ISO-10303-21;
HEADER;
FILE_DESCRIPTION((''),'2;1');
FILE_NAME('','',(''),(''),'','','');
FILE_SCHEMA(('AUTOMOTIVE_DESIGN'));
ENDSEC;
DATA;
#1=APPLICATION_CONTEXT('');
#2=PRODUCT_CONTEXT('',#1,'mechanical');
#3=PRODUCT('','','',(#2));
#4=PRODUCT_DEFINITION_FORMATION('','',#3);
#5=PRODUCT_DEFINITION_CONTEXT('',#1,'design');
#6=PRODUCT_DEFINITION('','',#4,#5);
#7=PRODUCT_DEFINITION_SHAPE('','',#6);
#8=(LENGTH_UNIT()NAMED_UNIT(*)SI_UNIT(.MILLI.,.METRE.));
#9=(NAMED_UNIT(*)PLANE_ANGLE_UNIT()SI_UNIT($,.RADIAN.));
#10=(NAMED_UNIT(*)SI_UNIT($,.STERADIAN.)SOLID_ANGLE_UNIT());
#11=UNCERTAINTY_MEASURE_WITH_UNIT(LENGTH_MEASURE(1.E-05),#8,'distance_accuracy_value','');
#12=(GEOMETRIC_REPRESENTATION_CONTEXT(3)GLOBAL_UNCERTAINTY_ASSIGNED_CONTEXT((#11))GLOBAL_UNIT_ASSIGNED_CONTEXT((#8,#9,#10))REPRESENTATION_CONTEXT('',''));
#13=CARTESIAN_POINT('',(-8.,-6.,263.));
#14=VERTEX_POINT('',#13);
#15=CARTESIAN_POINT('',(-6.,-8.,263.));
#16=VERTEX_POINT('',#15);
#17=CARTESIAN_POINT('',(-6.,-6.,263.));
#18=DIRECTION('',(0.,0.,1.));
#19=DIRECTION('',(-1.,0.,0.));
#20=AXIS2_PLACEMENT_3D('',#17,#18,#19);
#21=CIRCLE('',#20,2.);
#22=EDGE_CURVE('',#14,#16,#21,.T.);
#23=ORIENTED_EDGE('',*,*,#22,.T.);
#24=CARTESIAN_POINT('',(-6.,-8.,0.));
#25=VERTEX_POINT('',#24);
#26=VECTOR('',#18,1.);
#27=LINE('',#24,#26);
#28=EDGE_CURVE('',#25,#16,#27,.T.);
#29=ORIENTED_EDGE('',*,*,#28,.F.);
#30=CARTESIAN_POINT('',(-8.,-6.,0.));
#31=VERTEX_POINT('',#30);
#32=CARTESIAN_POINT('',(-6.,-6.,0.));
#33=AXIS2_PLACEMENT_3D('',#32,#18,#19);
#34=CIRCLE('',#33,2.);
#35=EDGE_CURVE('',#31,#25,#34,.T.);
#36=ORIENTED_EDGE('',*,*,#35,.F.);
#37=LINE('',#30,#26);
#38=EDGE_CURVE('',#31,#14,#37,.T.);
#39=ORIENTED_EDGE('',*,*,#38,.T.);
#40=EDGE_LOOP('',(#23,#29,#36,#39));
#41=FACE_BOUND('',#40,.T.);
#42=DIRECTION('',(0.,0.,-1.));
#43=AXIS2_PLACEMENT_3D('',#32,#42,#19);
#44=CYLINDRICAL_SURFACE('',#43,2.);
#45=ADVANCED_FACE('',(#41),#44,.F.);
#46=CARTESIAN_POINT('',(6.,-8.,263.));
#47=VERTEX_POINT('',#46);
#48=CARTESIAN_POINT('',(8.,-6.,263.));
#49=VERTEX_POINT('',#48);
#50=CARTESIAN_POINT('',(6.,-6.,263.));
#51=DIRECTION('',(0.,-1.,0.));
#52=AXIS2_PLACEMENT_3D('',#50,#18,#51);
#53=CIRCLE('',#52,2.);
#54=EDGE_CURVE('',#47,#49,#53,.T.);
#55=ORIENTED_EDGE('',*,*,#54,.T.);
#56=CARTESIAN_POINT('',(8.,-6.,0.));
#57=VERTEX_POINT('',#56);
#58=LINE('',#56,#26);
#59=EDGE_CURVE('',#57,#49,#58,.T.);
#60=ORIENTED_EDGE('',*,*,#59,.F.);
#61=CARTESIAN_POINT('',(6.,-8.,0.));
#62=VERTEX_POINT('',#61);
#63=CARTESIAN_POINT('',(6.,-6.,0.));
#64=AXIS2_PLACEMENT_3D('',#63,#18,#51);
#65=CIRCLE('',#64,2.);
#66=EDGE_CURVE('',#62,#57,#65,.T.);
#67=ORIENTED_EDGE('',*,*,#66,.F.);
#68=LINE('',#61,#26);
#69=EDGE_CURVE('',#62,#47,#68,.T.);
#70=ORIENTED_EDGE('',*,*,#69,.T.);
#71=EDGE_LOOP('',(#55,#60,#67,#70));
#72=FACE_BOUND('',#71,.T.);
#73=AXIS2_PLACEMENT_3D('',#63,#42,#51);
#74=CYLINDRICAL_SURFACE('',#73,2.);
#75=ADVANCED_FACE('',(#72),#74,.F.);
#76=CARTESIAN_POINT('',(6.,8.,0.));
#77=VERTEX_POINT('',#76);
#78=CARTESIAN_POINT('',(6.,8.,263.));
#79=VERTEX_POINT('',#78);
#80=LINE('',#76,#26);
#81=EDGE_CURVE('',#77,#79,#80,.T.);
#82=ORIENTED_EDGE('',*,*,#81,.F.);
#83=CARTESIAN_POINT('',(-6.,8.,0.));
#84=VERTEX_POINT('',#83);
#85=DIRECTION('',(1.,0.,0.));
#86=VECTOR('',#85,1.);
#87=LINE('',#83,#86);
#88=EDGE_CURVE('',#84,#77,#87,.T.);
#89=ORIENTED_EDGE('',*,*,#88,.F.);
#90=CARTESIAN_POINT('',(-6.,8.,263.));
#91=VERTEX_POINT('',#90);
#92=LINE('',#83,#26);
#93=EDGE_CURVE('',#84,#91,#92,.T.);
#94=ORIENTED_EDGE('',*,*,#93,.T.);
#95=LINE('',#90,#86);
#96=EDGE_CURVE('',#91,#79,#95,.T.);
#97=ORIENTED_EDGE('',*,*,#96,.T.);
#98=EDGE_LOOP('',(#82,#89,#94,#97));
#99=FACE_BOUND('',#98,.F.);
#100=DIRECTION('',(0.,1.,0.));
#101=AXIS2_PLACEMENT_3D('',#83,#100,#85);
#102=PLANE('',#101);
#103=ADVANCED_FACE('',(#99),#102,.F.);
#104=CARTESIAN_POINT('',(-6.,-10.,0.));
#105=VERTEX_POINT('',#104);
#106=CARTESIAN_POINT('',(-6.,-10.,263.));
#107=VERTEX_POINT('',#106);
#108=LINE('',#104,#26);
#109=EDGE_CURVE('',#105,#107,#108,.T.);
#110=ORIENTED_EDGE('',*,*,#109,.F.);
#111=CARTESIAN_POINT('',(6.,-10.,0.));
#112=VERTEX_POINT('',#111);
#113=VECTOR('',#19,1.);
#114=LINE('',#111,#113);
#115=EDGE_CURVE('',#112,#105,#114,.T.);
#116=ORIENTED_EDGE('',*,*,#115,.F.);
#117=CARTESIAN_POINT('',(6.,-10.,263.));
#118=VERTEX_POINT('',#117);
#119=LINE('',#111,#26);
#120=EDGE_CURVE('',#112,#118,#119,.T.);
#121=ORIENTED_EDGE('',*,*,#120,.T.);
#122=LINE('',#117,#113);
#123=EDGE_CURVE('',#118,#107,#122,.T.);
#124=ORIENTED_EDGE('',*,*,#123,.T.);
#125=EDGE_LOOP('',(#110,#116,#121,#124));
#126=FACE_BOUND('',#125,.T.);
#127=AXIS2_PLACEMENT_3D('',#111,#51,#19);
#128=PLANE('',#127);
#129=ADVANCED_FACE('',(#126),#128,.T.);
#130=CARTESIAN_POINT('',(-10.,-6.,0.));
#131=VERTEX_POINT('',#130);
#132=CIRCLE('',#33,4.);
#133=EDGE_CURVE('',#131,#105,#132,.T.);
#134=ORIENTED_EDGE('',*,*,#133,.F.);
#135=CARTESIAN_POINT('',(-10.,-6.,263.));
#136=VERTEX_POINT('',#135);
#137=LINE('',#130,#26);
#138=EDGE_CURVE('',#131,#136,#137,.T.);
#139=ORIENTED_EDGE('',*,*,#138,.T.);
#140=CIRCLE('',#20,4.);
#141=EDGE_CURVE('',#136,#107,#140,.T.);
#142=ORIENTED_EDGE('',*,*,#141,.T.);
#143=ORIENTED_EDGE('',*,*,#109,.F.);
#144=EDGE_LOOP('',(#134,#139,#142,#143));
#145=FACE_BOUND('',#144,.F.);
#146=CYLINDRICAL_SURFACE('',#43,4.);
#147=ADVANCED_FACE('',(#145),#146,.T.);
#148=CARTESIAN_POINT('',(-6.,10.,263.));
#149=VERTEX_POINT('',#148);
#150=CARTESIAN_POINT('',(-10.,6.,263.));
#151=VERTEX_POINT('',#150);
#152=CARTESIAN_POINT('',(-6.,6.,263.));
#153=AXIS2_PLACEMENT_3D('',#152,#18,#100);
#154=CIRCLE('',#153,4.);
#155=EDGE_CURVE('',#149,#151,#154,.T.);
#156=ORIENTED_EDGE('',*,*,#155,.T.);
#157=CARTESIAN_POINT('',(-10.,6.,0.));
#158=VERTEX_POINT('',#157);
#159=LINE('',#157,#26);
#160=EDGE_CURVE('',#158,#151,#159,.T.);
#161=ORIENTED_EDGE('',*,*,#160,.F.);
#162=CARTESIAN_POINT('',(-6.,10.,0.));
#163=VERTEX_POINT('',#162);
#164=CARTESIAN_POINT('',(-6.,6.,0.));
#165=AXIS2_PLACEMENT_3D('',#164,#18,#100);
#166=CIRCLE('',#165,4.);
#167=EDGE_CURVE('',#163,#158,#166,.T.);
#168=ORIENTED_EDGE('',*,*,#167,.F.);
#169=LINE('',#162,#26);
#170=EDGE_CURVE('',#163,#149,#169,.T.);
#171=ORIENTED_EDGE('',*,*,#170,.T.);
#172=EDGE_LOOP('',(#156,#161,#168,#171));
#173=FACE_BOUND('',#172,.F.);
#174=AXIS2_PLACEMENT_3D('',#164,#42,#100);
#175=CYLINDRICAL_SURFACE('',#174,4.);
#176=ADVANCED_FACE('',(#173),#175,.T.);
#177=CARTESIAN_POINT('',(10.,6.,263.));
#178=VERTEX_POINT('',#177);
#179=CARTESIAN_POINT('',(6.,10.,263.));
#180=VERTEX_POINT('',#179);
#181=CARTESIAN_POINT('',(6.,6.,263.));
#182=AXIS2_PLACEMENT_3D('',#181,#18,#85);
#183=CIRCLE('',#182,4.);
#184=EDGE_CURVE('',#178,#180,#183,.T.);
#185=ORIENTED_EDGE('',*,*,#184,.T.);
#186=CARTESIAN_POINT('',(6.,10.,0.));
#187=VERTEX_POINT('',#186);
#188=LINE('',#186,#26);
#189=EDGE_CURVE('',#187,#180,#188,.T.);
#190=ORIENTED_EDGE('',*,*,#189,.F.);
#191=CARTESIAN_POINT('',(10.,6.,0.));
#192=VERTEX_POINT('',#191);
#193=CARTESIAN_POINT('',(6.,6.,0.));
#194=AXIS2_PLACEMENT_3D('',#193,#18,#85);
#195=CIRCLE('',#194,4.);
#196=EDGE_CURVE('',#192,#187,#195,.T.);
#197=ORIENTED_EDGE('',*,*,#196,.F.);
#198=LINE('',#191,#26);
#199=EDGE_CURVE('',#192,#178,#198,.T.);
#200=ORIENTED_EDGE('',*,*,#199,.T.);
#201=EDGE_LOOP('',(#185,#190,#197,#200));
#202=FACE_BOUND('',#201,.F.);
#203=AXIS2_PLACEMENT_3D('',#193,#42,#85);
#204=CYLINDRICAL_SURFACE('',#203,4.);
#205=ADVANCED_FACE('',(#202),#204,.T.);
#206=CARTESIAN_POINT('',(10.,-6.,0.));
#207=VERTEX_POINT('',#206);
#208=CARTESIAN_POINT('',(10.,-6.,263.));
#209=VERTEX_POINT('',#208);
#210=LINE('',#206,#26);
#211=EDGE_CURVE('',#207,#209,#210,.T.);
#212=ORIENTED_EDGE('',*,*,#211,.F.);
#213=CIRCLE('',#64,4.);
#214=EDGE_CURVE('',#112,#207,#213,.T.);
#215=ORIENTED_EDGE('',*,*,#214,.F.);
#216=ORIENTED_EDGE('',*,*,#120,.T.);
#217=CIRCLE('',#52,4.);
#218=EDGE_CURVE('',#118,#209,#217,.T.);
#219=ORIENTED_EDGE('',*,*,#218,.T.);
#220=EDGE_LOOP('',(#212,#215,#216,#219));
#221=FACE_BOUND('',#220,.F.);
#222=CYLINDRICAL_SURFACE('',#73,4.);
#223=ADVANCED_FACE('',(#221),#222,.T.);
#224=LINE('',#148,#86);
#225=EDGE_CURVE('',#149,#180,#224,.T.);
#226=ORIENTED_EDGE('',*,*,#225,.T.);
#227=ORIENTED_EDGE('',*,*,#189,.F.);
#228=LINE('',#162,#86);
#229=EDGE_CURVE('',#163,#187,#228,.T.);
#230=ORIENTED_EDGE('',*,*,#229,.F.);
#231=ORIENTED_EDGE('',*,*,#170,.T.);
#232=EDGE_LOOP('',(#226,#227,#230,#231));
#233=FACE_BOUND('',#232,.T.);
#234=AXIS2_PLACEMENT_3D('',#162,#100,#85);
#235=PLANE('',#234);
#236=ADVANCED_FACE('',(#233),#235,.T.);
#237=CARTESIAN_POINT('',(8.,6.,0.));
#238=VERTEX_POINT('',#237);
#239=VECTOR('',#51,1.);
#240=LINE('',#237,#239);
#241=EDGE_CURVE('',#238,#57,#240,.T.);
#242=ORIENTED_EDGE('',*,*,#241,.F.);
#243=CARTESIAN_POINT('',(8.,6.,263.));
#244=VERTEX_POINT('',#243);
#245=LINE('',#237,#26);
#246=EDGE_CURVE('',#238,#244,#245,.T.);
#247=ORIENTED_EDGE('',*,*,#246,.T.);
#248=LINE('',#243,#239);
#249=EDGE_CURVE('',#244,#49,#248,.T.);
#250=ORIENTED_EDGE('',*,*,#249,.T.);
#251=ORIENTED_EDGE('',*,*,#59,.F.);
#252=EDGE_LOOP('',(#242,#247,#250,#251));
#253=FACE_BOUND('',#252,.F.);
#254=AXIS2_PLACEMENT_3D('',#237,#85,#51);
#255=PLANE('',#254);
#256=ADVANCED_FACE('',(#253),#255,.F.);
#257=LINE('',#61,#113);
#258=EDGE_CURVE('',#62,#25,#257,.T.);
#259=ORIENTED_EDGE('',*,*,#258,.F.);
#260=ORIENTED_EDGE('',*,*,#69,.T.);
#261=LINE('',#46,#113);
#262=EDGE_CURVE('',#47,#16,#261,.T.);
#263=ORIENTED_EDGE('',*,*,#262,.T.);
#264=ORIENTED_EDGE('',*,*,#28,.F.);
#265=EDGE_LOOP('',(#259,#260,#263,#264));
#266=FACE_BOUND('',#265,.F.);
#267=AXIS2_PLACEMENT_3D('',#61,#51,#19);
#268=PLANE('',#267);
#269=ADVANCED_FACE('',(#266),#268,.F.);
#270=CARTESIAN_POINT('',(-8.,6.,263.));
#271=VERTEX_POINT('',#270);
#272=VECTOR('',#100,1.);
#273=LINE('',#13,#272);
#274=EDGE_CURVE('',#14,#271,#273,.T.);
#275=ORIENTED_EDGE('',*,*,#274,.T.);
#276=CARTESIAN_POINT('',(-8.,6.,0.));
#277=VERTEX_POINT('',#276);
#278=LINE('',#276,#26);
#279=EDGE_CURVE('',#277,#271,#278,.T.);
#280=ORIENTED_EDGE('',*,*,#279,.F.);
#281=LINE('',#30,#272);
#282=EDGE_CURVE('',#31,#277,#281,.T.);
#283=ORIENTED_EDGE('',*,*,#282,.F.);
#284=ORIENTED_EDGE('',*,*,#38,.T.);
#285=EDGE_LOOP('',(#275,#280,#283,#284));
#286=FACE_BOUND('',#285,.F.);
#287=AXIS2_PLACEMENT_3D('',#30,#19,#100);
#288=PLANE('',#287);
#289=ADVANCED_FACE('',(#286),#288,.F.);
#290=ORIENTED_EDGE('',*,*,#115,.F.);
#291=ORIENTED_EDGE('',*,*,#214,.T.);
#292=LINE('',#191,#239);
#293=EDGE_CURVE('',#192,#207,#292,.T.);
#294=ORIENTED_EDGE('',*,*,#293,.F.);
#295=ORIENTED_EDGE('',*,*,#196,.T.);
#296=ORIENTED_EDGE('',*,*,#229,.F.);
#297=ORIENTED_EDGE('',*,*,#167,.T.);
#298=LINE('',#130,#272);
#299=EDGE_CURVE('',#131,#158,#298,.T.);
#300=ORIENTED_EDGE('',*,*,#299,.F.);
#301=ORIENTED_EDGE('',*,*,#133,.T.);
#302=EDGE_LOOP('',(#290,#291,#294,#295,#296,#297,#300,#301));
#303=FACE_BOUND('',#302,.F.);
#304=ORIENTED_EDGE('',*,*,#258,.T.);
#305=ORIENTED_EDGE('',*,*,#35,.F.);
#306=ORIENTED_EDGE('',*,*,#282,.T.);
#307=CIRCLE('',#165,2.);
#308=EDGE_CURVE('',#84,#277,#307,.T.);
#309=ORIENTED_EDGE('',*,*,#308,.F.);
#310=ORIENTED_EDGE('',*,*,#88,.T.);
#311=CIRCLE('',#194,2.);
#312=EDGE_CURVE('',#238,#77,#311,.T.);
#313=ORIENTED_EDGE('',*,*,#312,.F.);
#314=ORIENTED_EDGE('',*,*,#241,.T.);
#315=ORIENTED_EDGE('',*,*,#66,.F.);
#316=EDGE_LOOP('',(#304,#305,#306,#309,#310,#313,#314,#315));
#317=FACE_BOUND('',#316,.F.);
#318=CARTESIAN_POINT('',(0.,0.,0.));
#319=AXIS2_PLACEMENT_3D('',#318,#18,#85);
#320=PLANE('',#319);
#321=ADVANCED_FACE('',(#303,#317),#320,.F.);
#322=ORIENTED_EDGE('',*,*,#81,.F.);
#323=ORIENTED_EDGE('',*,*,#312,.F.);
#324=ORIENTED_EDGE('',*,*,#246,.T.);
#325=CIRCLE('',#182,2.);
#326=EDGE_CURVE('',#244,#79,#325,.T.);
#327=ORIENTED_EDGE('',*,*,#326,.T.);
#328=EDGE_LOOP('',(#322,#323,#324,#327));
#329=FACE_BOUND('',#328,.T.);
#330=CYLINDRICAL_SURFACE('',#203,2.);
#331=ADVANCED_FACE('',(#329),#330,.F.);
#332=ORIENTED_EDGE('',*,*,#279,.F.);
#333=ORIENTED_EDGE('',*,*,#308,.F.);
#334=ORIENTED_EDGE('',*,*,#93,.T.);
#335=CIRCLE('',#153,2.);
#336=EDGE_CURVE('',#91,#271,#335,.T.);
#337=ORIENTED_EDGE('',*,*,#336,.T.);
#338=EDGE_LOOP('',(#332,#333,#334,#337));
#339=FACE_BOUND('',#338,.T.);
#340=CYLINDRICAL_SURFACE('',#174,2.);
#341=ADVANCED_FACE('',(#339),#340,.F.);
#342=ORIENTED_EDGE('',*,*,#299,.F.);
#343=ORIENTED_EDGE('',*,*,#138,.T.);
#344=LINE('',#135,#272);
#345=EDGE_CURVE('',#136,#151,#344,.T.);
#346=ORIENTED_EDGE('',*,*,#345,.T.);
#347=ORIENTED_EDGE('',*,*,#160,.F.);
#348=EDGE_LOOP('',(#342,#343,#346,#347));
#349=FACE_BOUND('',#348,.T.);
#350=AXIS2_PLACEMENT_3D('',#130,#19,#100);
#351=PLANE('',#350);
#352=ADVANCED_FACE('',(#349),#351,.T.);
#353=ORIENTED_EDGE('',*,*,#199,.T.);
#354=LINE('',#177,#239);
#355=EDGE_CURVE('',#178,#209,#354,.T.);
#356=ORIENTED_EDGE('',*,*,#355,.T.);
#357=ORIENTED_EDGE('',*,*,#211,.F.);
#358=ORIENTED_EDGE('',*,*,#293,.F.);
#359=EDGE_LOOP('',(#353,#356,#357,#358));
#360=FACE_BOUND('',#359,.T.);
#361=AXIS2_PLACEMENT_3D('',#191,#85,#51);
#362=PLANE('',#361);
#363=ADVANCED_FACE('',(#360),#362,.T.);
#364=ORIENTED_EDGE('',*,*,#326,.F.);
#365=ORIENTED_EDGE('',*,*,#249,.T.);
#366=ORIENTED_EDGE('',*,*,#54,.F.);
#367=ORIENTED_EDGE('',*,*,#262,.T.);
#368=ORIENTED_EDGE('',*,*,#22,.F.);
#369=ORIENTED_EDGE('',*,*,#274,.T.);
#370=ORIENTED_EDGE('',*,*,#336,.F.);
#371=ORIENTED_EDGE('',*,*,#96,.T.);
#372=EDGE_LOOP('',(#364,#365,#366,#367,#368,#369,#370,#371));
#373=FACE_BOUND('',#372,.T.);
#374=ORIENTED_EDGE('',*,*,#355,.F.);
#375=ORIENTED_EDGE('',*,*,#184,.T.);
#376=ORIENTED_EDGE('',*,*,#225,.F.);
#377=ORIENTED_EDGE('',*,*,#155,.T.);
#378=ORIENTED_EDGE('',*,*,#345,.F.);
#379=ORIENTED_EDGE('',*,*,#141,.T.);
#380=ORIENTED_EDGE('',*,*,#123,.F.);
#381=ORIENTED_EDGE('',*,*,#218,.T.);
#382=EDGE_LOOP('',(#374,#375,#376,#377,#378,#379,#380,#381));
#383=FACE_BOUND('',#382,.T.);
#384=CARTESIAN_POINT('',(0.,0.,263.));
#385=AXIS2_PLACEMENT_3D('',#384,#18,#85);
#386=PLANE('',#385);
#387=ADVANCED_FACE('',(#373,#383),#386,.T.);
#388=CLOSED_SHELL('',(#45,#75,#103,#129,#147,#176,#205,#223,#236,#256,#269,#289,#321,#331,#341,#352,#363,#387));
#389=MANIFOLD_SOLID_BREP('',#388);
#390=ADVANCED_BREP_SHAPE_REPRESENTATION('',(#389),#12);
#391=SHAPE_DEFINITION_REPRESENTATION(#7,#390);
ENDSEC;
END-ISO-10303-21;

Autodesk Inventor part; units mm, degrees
ref_plane "YZ Plane" through (0, 0, 0) normal (1, 0, 0) x (0, 1, 0)
ref_plane "Plan de départ" through (0, 0, 0) normal (0, 0, 1) x (1, 0, 0)
ref_plane "Plan de fin" through (0, 0, 263) normal (0, 0, 1) x (1, 0, 0)
sketch "Esquisse" plane through (0, 0, 0) normal (0, 0, 1) x (1, 0, 0)
  line L0 (-10, -6) -> (-10, 6)
  line L1 (-6, 10) -> (6, 10)
  line L2 (10, 6) -> (10, -6)
  line L3 (6, -10) -> (-6, -10)
  arc A0 (-10, -6) -> (-6, -10) centre (-6, -6) ccw
  arc A1 (10, 6) -> (6, 10) centre (6, 6) ccw
  arc A2 (-6, 10) -> (-10, 6) centre (-6, 6) ccw
  arc A3 (6, -10) -> (10, -6) centre (6, -6) ccw
  arc A4 (-6, 8) -> (-8, 6) centre (-6, 6) ccw
  line L4 (-6, 8) -> (6, 8)
  arc A5 (8, 6) -> (6, 8) centre (6, 6) ccw
  line L5 (8, 6) -> (8, -6)
  arc A6 (6, -8) -> (8, -6) centre (6, -6) ccw
  line L6 (6, -8) -> (-6, -8)
  arc A7 (-8, -6) -> (-6, -8) centre (-6, -6) ccw
  line L7 (-8, -6) -> (-8, 6)
  line L8 (0, 15.1598) -> (0, -15.1598) construction
  line L9 (-15.1598, 0) -> (15.1598, 0) construction
  dimension "d7" = 4
  dimension "d9" = 20
  dimension "d11" = 20
  dimension "d12" = 2
  dimension "d15" = 10
  dimension "d16" = 10
extrude "Corps" add sketch "Esquisse" along normal up to surface (263 mm away) from surface at 0
sketch "Sketch3" plane through (0, 0, 0) normal (0, 0, 1) x (1, 0, 0)
  line L0 (0, 0) -> (10, 0)
ref_plane "Work Plane3" through (0, 0, 0) normal (0, -1, 0) x (1, 0, 0)
sketch "Sketch4" plane through (0, 0, 0) normal (0, -1, 0) x (1, 0, 0)
  line L0 (-2, 0) -> (12, 0) projected
  line L1 (-2, 263) -> (12, 263) projected
  dimension "d18" = 263
equation "\"d7\" = G_IR"
equation "\"d9\" = G_W"
equation "\"d11\" = G_H"
equation "\"d12\" = G_T"
equation "\"d15\" = 0.5 * d9"
equation "\"d16\" = 0.5 * d11"
equation "\"d3\" = G_L"
equation "\"G_W\" = 20"
equation "\"G_H\" = 20"
equation "\"G_T\" = 2"
equation "\"G_IR\" = 4"
equation "\"G_L\" = d18"
equation "\"G_OFFSET_START\" = 0"
equation "\"G_OFFSET_END\" = 0"
equation "\"d14\" = G_OFFSET_END + B_L"
equation "\"B_L\" = 263"
properties part number "ISO 10799-2 - 20x20x2 - 263" material "Acier, doux"
